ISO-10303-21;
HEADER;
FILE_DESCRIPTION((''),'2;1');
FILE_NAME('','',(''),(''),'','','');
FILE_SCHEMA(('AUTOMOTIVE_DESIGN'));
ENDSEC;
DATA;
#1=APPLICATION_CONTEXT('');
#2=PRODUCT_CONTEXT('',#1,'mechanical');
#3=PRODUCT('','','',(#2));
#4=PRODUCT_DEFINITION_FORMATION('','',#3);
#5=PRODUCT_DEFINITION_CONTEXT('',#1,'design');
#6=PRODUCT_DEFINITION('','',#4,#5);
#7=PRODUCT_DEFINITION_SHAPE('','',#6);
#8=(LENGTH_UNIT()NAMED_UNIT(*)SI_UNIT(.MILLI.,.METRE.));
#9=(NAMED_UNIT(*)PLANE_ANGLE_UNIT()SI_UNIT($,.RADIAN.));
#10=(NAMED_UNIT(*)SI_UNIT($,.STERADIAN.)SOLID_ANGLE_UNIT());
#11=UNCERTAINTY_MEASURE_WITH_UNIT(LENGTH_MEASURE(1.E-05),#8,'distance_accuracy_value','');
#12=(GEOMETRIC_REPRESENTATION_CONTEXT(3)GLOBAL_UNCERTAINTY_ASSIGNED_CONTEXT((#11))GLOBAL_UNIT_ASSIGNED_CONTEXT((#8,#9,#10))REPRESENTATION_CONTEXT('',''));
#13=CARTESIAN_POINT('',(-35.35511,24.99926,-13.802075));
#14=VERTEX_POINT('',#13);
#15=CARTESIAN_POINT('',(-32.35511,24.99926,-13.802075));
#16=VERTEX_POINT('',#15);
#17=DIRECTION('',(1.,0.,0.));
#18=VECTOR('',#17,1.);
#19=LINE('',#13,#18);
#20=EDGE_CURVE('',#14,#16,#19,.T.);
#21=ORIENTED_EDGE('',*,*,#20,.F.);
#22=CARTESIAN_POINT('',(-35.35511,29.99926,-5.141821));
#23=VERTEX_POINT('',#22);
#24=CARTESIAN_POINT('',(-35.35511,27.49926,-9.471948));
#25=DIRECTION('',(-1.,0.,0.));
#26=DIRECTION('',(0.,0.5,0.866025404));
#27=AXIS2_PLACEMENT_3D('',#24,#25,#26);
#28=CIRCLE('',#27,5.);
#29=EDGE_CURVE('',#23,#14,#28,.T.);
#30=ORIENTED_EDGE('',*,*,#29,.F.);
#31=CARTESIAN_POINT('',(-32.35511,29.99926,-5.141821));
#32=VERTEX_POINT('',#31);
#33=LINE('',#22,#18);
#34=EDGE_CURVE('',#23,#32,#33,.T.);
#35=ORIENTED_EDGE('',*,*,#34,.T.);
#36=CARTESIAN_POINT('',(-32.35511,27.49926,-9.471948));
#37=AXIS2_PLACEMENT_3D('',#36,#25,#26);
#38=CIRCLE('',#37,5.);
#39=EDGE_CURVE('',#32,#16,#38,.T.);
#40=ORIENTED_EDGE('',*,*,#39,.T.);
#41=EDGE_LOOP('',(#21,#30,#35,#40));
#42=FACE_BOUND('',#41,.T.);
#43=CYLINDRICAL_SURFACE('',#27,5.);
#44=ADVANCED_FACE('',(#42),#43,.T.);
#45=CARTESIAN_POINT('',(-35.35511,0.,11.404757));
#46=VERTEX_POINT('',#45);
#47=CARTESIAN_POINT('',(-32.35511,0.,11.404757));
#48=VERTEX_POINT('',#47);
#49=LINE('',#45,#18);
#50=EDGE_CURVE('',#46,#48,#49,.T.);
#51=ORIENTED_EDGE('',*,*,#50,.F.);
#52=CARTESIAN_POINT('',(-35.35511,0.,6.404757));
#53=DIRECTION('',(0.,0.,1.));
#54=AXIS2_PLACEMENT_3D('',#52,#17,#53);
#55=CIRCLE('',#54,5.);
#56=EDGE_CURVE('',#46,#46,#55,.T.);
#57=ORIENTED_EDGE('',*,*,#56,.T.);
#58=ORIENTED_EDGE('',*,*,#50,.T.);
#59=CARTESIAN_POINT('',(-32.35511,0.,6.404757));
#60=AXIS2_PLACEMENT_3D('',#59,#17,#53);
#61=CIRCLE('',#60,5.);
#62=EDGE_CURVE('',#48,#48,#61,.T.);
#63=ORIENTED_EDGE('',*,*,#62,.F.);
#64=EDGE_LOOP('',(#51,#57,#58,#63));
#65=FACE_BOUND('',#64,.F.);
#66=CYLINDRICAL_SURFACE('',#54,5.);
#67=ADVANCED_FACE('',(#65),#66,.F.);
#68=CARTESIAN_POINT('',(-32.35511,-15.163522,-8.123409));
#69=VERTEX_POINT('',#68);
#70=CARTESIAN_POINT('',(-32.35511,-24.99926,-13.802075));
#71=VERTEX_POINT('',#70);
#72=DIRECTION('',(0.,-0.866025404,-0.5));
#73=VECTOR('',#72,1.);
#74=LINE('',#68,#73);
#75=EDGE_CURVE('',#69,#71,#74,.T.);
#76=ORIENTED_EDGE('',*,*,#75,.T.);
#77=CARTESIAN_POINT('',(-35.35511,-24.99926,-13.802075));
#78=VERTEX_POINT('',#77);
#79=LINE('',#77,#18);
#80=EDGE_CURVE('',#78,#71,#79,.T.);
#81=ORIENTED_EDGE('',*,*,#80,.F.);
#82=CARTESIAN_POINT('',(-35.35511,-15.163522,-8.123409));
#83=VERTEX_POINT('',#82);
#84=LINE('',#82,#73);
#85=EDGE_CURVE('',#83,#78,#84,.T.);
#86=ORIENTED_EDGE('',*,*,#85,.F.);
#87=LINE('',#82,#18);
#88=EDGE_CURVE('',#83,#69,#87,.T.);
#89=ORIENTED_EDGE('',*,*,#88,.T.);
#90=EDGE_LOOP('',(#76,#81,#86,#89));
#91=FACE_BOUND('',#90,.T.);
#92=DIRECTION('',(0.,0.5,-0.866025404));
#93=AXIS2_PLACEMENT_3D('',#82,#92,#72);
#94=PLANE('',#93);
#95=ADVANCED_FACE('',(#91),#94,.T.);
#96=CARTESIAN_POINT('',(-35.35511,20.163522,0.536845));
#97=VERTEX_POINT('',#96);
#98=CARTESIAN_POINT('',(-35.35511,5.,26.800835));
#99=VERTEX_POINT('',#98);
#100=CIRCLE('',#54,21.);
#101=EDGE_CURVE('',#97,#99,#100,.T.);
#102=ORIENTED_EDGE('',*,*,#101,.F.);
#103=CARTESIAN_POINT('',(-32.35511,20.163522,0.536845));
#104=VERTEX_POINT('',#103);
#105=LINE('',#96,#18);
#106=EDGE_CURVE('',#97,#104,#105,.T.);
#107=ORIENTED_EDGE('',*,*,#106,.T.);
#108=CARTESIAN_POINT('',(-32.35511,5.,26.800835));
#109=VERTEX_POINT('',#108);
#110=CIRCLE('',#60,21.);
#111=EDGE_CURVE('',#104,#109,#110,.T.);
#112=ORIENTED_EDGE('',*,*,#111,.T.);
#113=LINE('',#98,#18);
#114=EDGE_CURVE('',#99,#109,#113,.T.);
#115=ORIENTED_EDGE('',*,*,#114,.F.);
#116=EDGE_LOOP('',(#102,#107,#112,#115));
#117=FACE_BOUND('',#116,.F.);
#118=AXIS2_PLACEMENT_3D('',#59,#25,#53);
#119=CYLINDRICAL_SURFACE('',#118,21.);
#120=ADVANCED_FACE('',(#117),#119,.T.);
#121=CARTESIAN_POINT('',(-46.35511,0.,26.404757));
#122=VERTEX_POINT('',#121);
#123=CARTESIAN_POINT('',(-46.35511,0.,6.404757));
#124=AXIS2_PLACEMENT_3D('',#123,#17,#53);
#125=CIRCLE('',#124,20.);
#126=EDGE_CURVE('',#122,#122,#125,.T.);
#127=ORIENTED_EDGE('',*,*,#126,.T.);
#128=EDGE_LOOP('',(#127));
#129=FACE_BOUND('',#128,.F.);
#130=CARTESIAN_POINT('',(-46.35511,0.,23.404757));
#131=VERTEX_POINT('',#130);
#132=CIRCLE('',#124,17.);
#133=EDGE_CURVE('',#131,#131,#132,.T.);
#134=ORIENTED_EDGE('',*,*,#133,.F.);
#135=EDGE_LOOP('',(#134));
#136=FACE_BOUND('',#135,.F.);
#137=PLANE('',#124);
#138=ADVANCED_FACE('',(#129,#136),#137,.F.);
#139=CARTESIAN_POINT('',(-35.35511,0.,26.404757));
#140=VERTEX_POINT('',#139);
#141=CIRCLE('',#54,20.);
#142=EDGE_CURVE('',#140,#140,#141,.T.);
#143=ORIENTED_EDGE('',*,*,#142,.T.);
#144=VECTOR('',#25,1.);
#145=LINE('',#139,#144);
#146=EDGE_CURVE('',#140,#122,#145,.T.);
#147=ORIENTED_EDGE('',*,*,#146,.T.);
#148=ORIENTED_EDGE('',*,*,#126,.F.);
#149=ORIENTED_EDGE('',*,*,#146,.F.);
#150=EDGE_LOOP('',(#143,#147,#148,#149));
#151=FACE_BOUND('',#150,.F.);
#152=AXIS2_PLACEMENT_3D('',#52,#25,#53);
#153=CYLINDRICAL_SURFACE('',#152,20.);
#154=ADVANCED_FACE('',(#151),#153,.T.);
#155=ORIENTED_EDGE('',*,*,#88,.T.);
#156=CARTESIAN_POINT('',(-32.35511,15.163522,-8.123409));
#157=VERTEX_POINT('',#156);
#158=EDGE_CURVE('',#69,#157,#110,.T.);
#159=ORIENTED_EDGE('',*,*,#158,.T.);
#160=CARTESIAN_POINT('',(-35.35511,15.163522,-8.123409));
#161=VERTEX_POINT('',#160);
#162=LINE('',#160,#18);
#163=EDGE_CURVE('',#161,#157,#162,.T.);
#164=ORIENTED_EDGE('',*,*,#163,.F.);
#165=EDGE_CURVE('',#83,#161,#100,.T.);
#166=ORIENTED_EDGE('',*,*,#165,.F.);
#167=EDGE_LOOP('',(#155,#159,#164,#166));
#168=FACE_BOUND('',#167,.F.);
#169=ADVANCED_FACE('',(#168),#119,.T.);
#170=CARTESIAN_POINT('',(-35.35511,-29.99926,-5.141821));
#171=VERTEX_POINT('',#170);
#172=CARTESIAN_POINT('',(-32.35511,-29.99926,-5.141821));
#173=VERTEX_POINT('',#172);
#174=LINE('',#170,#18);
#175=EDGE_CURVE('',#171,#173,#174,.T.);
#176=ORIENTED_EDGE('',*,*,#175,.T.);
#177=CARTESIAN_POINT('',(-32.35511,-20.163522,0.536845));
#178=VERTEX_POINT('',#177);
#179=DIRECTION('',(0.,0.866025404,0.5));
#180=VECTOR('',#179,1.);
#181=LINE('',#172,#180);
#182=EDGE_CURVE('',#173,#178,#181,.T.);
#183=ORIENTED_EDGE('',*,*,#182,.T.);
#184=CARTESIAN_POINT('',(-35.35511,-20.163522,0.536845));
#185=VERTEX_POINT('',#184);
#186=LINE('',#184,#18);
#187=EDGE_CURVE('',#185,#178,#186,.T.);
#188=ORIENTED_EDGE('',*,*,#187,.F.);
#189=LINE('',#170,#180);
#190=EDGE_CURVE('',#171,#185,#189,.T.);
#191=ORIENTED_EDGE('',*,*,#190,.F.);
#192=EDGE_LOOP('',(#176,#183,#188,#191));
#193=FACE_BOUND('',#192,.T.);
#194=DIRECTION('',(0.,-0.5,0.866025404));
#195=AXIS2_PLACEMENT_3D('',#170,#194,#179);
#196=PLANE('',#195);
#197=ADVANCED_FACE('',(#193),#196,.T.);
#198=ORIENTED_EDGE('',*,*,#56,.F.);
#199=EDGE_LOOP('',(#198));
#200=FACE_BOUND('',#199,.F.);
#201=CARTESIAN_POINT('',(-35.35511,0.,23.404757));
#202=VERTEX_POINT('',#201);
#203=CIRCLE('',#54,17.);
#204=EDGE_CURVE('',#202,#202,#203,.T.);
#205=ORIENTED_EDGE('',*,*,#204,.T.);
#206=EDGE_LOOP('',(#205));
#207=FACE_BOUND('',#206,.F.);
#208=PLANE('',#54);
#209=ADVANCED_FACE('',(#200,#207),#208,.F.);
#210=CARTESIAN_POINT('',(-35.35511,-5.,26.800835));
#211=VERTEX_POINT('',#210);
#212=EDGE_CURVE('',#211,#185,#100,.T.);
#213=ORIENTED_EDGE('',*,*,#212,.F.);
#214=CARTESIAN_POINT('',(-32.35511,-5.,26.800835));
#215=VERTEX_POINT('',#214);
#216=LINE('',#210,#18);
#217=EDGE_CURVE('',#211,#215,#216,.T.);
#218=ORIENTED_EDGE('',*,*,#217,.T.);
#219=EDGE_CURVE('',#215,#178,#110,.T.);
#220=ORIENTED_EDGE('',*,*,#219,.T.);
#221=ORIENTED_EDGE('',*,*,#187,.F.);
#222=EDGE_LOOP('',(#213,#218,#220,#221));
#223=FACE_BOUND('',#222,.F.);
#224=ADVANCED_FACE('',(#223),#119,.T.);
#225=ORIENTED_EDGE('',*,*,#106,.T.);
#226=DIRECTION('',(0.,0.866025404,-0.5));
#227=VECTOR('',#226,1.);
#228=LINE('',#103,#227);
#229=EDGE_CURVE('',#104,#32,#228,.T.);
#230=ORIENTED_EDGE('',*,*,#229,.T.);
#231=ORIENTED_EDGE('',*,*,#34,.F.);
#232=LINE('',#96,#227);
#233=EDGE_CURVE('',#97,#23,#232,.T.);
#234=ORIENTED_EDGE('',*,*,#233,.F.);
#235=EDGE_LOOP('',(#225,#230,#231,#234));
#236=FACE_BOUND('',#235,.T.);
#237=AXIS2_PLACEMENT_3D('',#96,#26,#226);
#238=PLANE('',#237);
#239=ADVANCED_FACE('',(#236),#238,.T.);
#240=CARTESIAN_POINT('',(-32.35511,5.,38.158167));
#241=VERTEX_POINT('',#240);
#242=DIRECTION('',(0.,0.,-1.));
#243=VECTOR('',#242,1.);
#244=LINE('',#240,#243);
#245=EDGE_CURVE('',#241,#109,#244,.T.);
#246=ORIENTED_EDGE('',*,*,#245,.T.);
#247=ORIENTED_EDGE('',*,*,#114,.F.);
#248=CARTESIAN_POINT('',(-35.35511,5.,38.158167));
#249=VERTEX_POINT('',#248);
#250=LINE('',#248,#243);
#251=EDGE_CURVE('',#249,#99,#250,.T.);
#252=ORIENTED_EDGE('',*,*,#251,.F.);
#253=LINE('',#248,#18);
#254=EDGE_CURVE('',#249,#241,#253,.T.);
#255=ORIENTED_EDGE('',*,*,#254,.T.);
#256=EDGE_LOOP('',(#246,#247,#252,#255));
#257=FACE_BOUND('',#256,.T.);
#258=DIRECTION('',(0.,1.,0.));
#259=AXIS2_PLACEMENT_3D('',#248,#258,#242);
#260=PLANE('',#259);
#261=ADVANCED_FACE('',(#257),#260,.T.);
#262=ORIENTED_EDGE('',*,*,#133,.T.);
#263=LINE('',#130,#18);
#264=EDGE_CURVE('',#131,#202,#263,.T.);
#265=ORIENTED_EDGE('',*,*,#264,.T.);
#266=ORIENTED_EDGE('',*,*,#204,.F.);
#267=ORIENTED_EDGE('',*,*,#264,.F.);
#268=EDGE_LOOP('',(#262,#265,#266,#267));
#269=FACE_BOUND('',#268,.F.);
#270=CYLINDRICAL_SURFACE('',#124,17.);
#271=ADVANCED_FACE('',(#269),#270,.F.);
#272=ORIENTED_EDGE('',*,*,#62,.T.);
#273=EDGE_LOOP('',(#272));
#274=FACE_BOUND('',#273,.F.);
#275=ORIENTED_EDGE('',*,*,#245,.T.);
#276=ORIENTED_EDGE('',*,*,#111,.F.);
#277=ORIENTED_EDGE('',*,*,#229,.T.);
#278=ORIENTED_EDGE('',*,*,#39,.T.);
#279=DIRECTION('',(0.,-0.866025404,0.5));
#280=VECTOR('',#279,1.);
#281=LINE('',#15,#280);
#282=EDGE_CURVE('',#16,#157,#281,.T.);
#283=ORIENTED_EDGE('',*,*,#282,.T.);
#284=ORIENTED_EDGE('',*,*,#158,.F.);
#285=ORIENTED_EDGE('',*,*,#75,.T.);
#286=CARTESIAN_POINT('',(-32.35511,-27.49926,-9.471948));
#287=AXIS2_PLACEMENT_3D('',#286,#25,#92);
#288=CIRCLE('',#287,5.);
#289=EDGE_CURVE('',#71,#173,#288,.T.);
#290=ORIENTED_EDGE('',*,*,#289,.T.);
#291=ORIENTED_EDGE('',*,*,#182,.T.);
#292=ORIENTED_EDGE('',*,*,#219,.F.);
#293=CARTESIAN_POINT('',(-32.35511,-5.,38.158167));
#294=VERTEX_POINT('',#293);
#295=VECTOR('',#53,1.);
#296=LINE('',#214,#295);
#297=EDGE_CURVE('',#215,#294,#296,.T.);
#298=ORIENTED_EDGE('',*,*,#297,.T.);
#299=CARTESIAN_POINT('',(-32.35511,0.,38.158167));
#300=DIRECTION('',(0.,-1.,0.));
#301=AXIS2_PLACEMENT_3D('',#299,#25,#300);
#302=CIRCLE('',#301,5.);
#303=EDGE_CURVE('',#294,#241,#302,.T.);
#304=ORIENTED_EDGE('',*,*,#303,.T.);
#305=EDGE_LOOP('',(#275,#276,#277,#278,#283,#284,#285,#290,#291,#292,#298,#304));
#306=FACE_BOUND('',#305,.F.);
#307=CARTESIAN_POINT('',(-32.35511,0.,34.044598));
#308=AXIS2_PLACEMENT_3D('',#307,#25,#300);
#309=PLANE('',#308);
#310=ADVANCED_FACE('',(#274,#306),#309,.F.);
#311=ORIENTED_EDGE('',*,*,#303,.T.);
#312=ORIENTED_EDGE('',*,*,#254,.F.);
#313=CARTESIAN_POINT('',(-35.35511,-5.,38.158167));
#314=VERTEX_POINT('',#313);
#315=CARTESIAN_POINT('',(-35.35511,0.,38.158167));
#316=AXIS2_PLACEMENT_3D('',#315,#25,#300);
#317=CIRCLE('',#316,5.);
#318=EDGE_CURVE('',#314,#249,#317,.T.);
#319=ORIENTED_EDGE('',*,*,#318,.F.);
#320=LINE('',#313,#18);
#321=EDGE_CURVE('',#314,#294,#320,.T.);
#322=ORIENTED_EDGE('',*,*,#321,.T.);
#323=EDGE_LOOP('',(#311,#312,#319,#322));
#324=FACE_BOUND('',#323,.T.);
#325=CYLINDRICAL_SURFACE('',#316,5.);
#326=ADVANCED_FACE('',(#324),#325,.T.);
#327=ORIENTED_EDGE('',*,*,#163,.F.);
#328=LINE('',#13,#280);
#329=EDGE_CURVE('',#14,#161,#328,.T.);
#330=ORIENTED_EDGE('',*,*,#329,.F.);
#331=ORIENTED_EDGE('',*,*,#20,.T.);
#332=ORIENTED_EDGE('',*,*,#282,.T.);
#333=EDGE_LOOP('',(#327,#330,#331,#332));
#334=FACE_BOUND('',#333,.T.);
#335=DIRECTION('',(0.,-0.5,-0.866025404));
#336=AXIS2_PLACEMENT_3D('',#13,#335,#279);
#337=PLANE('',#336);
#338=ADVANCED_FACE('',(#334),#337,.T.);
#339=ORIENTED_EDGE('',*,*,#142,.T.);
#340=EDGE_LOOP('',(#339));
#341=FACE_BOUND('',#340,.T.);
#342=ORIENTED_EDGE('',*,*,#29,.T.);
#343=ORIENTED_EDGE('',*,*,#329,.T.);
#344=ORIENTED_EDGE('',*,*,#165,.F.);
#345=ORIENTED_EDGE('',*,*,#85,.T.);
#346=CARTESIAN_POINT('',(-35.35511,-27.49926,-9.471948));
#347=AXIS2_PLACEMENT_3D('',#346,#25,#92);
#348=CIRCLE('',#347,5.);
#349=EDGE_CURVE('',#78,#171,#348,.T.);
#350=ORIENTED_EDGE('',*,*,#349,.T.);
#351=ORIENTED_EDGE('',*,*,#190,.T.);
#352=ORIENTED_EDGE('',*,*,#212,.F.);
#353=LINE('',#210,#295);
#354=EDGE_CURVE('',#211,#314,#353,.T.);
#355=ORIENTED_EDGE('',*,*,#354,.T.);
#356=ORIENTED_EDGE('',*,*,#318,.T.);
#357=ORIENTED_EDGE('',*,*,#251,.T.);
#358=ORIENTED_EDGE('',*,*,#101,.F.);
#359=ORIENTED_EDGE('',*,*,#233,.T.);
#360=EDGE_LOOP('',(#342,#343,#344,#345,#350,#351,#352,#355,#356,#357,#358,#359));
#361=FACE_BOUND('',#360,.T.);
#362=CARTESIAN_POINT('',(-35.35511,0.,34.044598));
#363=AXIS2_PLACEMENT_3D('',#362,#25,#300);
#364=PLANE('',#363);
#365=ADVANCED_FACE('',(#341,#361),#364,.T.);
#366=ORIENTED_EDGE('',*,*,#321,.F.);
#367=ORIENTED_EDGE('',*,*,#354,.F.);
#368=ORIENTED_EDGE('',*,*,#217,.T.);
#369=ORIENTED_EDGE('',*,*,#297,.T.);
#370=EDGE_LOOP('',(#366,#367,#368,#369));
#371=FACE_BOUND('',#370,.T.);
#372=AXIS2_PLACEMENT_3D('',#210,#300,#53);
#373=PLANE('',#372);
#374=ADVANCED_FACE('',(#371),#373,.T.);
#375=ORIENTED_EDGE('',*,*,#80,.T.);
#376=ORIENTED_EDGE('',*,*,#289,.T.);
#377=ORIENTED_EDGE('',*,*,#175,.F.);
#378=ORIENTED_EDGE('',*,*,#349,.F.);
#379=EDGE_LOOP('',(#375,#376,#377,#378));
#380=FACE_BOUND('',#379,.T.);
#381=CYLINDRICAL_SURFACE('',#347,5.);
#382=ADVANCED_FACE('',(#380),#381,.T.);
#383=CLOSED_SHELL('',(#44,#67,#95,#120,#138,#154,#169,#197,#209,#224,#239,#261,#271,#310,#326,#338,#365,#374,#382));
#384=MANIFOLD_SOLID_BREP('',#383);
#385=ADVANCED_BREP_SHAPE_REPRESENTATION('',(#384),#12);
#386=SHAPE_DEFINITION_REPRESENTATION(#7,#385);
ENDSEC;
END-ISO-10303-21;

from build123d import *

# Parameters (mm, degrees)
F3_DEPTH = 3


with BuildPart() as f1:
    # F0 (on Front) → F1 (revolve)
    with BuildSketch(Plane.XZ):
        Polygon((-35.3551096618, 26.4047570527), (-46.3551096618, 26.4047570527), (-46.3551096618, 23.4047570527), (-35.3551096618, 23.4047570527), (-35.3551096618, 12.4047570527), (-35.3551096618, 11.4047570527), (-32.3551096618, 11.4047570527), (-32.3551096618, 27.4047570527), (-35.3551096618, 27.4047570527), align=None)
    revolve(axis=Axis((-30.4666860029, 0, 6.4047570527), (1, 0, 0)))

    # F2 (on face) → F3 (join)
    with BuildSketch(Plane(origin=(-35.3551096618, 0, 0), x_dir=(0, -1, 0), z_dir=(-1, 0, 0))):
        with BuildLine():
            Line((5, 26.800835107), (5, 38.1581671536))
            ThreePointArc((5, 38.1581671536), (0, 43.1581671536), (-5, 38.1581671536))
            Line((-5, 38.1581671536), (-5, 26.800835107))
            ThreePointArc((-5, 26.800835107), (0, 27.4047570527), (5, 26.800835107))
        make_face()
        with BuildLine():
            ThreePointArc((-15.1635217327, -8.1234089934), (-18.1865334795, -4.0952429473), (-20.1635217327, 0.5368450444))
            Line((-20.1635217327, 0.5368450444), (-29.9992598042, -5.1418209789))
            ThreePointArc((-29.9992598042, -5.1418209789), (-31.8293868231, -11.9719479978), (-24.9992598042, -13.8020750167))
            Line((-24.9992598042, -13.8020750167), (-15.1635217327, -8.1234089934))
        make_face()
        with BuildLine():
            Line((29.9992598042, -5.1418209789), (20.1635217327, 0.5368450444))
            ThreePointArc((20.1635217327, 0.5368450444), (18.1865334795, -4.0952429473), (15.1635217327, -8.1234089934))
            Line((15.1635217327, -8.1234089934), (24.9992598042, -13.8020750167))
            ThreePointArc((24.9992598042, -13.8020750167), (31.8293868231, -11.9719479978), (29.9992598042, -5.1418209789))
        make_face()
    extrude(amount=-F3_DEPTH)


solid = f1.part
